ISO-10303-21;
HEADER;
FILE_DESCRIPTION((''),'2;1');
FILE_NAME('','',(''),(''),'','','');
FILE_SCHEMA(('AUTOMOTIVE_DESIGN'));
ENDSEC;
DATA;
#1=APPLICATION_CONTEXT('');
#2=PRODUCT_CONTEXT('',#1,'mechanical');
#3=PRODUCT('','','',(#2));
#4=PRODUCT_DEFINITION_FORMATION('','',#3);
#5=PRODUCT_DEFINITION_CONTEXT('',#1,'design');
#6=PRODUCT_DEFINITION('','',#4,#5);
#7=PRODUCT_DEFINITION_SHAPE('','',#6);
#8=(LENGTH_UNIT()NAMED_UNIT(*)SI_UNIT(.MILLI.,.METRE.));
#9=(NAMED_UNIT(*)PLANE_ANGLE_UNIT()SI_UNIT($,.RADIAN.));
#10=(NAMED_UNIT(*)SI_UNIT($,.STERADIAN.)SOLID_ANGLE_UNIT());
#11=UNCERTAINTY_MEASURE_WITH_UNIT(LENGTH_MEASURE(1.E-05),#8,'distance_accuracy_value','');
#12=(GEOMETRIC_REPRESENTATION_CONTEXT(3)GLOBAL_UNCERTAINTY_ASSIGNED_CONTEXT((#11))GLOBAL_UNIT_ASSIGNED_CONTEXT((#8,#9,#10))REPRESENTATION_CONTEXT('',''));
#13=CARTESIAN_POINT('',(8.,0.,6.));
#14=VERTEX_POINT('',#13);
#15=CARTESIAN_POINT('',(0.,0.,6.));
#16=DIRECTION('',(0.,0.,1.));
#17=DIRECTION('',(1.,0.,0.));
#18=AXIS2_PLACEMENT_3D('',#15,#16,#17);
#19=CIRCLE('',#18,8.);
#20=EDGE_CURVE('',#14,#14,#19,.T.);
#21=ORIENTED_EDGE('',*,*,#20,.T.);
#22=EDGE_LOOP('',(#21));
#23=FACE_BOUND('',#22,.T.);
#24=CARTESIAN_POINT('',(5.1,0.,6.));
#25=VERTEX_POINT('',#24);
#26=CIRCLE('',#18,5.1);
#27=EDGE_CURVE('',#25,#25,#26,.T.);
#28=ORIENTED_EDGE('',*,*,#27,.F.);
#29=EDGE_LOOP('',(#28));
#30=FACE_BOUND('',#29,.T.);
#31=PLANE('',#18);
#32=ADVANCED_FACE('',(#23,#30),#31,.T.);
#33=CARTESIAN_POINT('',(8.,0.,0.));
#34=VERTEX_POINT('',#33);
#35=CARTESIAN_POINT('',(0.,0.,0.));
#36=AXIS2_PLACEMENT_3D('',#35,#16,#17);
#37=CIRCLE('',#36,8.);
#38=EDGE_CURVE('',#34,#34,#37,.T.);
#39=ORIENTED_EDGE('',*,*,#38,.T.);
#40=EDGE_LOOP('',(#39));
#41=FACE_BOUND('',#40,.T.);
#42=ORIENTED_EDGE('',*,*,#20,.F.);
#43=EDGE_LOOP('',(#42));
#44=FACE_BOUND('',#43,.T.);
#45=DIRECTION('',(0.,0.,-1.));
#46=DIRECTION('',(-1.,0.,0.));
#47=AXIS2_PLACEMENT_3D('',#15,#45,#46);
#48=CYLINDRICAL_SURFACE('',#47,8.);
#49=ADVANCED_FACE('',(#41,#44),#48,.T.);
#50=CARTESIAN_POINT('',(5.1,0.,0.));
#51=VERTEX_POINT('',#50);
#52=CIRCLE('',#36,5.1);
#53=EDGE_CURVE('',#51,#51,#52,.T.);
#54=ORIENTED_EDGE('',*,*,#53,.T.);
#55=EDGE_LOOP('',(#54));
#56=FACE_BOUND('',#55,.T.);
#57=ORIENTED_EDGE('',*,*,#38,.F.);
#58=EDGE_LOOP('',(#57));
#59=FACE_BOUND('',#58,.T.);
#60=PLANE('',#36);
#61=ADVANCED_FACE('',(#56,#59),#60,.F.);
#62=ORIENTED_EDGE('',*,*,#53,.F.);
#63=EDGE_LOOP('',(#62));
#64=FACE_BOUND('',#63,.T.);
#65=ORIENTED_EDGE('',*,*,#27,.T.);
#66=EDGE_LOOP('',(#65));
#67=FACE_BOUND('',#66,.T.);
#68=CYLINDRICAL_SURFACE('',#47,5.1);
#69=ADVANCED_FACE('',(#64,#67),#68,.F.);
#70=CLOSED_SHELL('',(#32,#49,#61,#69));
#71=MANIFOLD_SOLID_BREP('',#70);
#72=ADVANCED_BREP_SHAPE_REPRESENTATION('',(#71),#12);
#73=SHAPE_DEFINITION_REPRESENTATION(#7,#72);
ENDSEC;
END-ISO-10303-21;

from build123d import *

# Parameters (mm, degrees)
SZKIC1_R                    = 8
SZKIC1_R_2                  = 5.1
DODANIE_WYCI_GNI_CIE1_DEPTH = 6


with BuildPart() as part:
    # Szkic1 → Dodanie-wyciągnięcie1 (new body)
    with BuildSketch(Plane.XY):
        Circle(SZKIC1_R)
        Circle(SZKIC1_R_2, mode=Mode.SUBTRACT)
    extrude(amount=DODANIE_WYCI_GNI_CIE1_DEPTH)


solid = part.part
